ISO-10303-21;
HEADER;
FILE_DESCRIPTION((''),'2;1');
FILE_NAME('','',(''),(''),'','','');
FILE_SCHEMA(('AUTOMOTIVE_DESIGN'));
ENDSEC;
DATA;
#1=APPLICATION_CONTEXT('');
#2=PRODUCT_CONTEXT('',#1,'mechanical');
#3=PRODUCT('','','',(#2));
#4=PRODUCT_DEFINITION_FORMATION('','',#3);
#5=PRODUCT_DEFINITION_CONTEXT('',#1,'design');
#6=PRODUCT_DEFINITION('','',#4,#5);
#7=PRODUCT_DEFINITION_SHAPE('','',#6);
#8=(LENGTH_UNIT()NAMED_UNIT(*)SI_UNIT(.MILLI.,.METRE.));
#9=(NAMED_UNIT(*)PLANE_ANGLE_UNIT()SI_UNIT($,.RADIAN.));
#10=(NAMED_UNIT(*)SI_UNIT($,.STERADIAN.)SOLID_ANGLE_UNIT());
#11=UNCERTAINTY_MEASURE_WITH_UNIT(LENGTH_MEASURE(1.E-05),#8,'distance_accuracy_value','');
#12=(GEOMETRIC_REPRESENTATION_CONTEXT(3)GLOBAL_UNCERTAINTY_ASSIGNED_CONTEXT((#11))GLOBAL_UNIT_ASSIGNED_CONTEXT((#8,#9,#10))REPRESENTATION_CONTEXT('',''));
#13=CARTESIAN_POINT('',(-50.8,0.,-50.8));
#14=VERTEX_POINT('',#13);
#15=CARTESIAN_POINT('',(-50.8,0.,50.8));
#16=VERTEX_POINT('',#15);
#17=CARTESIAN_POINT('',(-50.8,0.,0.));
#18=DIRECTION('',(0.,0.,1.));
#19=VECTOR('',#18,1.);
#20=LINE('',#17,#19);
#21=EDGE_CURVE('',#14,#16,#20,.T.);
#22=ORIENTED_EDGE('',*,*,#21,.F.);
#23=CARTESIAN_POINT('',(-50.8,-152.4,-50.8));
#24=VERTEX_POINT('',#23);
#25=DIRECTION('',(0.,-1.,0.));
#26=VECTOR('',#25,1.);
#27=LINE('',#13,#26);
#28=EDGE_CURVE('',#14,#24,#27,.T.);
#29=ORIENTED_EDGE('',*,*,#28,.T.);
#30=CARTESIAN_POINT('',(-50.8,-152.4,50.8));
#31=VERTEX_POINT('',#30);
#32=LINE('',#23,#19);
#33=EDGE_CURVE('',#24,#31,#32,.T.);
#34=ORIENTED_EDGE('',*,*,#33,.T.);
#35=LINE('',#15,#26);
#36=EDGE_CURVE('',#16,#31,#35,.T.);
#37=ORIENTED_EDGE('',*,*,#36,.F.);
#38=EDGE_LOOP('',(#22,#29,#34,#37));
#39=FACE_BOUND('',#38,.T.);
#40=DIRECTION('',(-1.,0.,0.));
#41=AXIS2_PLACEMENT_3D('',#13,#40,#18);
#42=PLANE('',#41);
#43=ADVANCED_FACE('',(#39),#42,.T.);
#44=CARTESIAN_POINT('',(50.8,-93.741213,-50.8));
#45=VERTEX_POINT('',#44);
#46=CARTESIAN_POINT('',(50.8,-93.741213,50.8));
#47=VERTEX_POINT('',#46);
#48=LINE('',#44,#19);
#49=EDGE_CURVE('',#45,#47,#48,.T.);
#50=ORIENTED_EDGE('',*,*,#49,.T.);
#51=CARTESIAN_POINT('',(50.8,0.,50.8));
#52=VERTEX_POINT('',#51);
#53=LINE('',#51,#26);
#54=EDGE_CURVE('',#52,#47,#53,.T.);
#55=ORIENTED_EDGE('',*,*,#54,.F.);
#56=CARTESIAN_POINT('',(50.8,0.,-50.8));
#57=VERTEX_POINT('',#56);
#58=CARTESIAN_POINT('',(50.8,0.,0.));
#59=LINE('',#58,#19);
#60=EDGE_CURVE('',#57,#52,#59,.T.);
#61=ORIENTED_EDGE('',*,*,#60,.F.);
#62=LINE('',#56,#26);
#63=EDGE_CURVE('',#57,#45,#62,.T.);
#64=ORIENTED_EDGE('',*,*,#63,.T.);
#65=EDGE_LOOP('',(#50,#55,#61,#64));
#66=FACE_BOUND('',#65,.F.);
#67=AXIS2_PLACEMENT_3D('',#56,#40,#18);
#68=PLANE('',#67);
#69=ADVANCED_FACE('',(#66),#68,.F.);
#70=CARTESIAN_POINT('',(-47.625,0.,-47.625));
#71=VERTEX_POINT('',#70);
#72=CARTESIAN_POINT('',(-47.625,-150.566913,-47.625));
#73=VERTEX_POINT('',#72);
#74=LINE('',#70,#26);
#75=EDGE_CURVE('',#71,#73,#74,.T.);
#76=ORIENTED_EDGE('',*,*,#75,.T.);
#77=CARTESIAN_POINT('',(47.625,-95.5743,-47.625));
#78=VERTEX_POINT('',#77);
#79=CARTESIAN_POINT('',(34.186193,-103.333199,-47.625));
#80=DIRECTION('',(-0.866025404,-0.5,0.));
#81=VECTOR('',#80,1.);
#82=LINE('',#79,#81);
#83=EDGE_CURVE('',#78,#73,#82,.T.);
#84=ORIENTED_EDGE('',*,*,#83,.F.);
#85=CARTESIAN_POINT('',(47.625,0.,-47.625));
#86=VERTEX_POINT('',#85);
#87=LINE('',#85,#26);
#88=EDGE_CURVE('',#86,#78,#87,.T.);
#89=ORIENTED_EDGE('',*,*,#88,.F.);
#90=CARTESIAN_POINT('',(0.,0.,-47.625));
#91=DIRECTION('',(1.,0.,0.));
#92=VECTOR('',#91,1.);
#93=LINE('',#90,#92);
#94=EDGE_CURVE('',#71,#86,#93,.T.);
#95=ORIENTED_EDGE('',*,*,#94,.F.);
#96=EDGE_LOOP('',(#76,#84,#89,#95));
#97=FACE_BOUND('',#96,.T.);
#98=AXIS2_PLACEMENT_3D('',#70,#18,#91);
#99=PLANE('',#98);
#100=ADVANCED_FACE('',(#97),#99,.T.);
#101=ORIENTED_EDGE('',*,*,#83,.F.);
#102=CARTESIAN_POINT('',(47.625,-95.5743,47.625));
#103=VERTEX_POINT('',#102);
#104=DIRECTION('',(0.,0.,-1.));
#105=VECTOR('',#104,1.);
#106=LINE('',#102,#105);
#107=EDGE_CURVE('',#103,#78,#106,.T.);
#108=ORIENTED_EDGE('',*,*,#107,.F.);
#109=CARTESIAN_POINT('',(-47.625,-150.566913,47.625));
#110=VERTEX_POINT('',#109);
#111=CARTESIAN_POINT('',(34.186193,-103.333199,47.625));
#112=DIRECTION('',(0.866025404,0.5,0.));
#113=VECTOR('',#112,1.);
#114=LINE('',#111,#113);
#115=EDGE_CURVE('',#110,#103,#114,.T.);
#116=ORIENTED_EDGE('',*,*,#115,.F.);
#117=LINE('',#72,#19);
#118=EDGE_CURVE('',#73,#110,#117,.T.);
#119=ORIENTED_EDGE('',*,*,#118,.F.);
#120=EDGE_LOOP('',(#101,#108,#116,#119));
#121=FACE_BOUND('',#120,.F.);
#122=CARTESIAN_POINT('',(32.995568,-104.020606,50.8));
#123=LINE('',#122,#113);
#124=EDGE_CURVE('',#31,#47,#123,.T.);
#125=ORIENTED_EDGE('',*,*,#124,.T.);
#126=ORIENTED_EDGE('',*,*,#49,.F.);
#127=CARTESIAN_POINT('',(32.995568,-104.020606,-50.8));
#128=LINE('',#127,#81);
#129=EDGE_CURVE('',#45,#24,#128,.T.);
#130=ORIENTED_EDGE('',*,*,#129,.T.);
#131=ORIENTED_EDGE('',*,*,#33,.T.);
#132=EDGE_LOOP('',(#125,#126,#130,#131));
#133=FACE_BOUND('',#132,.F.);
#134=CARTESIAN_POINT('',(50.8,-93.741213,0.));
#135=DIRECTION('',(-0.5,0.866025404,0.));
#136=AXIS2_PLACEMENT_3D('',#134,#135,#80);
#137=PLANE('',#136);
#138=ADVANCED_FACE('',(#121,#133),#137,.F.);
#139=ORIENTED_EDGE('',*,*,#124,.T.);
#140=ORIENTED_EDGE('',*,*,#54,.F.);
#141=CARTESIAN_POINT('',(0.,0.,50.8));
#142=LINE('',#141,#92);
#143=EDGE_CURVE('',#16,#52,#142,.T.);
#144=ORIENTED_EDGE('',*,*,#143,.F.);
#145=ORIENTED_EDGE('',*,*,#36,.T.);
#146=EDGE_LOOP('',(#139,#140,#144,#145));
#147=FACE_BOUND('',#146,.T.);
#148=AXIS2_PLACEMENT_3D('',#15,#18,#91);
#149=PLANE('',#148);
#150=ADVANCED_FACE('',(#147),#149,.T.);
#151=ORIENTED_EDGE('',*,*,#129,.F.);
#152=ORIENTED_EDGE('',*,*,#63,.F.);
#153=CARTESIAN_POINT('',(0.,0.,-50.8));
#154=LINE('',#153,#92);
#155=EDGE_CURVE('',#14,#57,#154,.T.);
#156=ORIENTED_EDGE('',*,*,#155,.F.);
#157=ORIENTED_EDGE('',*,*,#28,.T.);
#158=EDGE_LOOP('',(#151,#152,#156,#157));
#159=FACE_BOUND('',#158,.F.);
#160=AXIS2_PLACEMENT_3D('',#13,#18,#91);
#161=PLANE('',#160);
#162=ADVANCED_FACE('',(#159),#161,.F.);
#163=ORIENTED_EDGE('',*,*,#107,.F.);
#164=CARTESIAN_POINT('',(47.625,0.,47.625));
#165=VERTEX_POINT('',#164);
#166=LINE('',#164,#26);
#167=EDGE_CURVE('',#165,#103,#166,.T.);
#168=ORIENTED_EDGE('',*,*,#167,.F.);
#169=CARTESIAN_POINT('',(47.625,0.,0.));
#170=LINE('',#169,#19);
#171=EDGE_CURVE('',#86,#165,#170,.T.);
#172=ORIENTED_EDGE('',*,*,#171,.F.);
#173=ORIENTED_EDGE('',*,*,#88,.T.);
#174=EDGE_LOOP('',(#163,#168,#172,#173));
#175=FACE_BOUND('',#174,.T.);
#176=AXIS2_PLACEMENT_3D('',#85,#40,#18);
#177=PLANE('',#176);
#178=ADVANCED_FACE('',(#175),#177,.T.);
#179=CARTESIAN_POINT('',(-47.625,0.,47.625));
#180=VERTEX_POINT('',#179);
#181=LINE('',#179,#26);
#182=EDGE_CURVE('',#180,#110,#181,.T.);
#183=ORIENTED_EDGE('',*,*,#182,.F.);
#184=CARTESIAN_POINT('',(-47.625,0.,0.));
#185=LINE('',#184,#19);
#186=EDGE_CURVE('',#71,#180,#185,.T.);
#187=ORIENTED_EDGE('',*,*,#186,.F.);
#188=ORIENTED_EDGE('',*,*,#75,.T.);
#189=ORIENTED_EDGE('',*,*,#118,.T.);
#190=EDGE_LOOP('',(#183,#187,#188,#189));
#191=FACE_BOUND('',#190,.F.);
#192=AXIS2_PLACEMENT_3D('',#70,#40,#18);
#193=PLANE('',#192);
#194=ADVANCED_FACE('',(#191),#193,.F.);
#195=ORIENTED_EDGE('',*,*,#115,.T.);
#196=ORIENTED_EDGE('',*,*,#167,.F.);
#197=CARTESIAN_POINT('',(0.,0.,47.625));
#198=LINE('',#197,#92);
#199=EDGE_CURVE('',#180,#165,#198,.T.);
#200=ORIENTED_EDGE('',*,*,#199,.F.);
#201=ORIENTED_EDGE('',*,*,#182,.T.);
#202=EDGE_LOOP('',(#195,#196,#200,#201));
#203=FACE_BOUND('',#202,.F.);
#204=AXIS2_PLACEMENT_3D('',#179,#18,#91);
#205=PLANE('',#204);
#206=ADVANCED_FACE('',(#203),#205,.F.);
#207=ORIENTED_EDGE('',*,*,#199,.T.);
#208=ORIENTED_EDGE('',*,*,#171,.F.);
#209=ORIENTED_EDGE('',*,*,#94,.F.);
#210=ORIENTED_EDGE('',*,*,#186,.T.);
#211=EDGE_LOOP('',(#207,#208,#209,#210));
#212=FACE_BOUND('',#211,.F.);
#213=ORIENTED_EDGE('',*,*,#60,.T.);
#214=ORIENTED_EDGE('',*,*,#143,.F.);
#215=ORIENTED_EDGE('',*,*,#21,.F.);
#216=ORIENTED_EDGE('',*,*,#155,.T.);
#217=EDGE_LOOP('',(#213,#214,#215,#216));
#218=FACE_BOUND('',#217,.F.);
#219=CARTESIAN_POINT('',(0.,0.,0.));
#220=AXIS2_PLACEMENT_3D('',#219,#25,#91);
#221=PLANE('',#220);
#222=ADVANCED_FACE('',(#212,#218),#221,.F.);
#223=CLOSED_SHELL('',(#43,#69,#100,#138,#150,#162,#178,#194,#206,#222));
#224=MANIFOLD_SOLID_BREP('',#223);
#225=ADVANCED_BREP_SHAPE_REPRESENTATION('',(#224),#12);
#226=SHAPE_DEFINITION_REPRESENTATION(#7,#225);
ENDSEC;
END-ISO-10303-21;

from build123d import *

# Parameters (mm, degrees)
F0_W          = 101.6
F0_H          = 101.6
F0_W_2        = 95.25
F0_H_2        = 95.25
F1_DEPTH      = 152.4
F3_DEPTH      = 50.801
F3_DEPTH_BACK = 50.801


with BuildPart() as f1:
    # F0 (on Front) → F1 (new body)
    with BuildSketch(Plane.XZ):
        Rectangle(F0_W, F0_H)
        Rectangle(F0_W_2, F0_H_2, mode=Mode.SUBTRACT)
    extrude(amount=F1_DEPTH)

    # F2 (on Top) → F3 (cut, two sides)
    with BuildSketch(Plane.XY) as f3_sk:
        Polygon((-50.8, -152.4), (50.8, -152.4), (50.8, -93.7412126503), align=None)
    extrude(amount=-F3_DEPTH, mode=Mode.SUBTRACT)
    extrude(f3_sk.sketch, amount=F3_DEPTH_BACK, mode=Mode.SUBTRACT)


solid = f1.part
